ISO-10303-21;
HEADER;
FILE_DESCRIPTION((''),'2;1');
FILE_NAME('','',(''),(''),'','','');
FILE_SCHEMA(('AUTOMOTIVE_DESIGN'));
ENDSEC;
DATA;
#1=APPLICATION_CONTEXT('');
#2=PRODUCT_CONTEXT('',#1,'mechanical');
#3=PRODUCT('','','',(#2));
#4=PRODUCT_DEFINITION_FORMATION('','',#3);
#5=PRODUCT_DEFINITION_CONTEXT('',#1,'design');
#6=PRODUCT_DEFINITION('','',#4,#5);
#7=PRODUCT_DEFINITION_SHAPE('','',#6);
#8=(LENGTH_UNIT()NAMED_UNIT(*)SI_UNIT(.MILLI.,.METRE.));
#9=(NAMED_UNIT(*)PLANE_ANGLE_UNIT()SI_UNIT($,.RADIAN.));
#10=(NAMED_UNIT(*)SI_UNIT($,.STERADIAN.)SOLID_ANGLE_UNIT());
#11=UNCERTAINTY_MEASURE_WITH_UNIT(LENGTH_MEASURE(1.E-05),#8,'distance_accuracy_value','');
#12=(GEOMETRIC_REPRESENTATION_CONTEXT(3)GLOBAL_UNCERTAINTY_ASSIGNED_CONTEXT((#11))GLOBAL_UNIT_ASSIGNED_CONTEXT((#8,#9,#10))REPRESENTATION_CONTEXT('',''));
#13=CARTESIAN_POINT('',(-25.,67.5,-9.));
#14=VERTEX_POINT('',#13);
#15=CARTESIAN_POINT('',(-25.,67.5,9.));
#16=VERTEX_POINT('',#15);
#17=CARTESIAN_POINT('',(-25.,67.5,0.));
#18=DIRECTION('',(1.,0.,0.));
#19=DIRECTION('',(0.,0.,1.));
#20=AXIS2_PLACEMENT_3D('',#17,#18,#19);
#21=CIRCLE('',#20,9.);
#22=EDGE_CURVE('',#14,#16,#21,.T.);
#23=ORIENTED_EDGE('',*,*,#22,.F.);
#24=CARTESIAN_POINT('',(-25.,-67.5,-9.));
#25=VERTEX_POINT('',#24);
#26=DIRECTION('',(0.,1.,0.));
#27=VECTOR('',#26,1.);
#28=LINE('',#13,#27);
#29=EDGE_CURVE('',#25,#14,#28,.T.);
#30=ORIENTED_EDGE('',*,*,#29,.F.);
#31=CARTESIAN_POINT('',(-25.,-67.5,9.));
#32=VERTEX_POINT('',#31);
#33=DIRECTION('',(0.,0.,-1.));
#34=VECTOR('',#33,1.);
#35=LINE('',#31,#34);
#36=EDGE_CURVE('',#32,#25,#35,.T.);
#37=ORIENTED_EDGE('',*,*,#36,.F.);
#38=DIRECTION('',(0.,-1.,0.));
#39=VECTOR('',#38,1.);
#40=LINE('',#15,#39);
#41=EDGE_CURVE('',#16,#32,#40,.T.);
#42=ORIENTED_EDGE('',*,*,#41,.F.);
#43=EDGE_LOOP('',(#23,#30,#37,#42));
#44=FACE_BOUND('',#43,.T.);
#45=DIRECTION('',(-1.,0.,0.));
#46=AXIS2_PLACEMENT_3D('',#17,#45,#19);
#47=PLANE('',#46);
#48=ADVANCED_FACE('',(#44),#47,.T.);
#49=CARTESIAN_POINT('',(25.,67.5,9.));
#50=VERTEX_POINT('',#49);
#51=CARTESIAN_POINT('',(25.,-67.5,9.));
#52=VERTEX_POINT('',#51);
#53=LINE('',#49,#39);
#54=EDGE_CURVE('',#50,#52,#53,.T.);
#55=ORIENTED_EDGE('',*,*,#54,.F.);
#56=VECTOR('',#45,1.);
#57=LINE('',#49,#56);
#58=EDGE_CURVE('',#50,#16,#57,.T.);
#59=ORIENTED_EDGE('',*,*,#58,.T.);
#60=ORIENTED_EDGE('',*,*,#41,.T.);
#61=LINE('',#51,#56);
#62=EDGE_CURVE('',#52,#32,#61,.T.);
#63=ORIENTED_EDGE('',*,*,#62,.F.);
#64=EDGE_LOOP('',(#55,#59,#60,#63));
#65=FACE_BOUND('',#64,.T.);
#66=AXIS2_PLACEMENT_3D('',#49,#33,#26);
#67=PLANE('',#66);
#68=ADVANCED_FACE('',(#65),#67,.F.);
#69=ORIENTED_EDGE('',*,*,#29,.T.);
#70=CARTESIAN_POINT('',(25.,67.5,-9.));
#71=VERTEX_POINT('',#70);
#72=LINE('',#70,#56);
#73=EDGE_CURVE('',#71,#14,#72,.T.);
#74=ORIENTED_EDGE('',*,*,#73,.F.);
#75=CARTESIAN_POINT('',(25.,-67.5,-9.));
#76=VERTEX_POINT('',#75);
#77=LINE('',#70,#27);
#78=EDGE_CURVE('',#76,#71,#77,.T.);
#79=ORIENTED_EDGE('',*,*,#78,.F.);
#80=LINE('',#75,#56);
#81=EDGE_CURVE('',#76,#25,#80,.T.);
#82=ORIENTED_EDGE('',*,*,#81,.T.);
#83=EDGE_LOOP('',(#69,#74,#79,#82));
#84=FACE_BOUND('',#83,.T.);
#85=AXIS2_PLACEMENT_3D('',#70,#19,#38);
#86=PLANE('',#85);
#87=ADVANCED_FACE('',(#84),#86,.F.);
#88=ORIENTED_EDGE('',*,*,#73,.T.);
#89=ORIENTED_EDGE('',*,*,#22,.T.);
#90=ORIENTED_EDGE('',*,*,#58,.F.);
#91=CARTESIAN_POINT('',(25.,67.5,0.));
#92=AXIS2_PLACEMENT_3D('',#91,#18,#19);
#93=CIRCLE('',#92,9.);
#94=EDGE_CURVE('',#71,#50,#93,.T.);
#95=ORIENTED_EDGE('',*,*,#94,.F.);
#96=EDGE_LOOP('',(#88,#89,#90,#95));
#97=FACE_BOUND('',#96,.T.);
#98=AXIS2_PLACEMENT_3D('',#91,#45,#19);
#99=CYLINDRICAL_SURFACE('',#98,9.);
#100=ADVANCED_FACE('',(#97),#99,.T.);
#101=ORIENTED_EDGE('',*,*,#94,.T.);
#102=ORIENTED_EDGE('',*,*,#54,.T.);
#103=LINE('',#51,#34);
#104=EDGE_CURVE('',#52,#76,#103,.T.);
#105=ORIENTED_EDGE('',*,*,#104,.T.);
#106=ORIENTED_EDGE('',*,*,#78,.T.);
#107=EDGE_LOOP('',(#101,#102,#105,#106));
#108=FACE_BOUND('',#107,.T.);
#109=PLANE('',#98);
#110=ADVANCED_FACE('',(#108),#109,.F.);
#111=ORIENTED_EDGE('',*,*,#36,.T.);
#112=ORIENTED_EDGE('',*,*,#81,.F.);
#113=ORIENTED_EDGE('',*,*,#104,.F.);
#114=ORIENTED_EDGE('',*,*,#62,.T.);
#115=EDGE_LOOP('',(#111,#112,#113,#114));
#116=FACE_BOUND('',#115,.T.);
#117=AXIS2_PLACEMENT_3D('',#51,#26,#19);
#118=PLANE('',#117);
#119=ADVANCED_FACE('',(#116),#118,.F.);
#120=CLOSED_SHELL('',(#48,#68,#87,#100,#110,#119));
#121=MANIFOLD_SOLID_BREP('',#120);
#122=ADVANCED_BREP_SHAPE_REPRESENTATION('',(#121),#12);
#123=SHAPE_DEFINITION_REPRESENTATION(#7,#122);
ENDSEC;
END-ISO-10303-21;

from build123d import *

# Parameters (mm, degrees)
BOSS_EXTRUDE1_DEPTH = 25


with BuildPart() as part:
    # Sketch1 → Boss-Extrude1 (new, symmetric)
    with BuildSketch(Plane(origin=(0, 0, 0), x_dir=(0, 0, -1), z_dir=(1, 0, 0))):
        with BuildLine():
            Line((-9, 67.5), (-9, -67.5))
            Line((-9, -67.5), (9, -67.5))
            Line((9, -67.5), (9, 67.5))
            ThreePointArc((9, 67.5), (0, 76.5), (-9, 67.5))
        make_face()
    extrude(amount=BOSS_EXTRUDE1_DEPTH, both=True)


solid = part.part
